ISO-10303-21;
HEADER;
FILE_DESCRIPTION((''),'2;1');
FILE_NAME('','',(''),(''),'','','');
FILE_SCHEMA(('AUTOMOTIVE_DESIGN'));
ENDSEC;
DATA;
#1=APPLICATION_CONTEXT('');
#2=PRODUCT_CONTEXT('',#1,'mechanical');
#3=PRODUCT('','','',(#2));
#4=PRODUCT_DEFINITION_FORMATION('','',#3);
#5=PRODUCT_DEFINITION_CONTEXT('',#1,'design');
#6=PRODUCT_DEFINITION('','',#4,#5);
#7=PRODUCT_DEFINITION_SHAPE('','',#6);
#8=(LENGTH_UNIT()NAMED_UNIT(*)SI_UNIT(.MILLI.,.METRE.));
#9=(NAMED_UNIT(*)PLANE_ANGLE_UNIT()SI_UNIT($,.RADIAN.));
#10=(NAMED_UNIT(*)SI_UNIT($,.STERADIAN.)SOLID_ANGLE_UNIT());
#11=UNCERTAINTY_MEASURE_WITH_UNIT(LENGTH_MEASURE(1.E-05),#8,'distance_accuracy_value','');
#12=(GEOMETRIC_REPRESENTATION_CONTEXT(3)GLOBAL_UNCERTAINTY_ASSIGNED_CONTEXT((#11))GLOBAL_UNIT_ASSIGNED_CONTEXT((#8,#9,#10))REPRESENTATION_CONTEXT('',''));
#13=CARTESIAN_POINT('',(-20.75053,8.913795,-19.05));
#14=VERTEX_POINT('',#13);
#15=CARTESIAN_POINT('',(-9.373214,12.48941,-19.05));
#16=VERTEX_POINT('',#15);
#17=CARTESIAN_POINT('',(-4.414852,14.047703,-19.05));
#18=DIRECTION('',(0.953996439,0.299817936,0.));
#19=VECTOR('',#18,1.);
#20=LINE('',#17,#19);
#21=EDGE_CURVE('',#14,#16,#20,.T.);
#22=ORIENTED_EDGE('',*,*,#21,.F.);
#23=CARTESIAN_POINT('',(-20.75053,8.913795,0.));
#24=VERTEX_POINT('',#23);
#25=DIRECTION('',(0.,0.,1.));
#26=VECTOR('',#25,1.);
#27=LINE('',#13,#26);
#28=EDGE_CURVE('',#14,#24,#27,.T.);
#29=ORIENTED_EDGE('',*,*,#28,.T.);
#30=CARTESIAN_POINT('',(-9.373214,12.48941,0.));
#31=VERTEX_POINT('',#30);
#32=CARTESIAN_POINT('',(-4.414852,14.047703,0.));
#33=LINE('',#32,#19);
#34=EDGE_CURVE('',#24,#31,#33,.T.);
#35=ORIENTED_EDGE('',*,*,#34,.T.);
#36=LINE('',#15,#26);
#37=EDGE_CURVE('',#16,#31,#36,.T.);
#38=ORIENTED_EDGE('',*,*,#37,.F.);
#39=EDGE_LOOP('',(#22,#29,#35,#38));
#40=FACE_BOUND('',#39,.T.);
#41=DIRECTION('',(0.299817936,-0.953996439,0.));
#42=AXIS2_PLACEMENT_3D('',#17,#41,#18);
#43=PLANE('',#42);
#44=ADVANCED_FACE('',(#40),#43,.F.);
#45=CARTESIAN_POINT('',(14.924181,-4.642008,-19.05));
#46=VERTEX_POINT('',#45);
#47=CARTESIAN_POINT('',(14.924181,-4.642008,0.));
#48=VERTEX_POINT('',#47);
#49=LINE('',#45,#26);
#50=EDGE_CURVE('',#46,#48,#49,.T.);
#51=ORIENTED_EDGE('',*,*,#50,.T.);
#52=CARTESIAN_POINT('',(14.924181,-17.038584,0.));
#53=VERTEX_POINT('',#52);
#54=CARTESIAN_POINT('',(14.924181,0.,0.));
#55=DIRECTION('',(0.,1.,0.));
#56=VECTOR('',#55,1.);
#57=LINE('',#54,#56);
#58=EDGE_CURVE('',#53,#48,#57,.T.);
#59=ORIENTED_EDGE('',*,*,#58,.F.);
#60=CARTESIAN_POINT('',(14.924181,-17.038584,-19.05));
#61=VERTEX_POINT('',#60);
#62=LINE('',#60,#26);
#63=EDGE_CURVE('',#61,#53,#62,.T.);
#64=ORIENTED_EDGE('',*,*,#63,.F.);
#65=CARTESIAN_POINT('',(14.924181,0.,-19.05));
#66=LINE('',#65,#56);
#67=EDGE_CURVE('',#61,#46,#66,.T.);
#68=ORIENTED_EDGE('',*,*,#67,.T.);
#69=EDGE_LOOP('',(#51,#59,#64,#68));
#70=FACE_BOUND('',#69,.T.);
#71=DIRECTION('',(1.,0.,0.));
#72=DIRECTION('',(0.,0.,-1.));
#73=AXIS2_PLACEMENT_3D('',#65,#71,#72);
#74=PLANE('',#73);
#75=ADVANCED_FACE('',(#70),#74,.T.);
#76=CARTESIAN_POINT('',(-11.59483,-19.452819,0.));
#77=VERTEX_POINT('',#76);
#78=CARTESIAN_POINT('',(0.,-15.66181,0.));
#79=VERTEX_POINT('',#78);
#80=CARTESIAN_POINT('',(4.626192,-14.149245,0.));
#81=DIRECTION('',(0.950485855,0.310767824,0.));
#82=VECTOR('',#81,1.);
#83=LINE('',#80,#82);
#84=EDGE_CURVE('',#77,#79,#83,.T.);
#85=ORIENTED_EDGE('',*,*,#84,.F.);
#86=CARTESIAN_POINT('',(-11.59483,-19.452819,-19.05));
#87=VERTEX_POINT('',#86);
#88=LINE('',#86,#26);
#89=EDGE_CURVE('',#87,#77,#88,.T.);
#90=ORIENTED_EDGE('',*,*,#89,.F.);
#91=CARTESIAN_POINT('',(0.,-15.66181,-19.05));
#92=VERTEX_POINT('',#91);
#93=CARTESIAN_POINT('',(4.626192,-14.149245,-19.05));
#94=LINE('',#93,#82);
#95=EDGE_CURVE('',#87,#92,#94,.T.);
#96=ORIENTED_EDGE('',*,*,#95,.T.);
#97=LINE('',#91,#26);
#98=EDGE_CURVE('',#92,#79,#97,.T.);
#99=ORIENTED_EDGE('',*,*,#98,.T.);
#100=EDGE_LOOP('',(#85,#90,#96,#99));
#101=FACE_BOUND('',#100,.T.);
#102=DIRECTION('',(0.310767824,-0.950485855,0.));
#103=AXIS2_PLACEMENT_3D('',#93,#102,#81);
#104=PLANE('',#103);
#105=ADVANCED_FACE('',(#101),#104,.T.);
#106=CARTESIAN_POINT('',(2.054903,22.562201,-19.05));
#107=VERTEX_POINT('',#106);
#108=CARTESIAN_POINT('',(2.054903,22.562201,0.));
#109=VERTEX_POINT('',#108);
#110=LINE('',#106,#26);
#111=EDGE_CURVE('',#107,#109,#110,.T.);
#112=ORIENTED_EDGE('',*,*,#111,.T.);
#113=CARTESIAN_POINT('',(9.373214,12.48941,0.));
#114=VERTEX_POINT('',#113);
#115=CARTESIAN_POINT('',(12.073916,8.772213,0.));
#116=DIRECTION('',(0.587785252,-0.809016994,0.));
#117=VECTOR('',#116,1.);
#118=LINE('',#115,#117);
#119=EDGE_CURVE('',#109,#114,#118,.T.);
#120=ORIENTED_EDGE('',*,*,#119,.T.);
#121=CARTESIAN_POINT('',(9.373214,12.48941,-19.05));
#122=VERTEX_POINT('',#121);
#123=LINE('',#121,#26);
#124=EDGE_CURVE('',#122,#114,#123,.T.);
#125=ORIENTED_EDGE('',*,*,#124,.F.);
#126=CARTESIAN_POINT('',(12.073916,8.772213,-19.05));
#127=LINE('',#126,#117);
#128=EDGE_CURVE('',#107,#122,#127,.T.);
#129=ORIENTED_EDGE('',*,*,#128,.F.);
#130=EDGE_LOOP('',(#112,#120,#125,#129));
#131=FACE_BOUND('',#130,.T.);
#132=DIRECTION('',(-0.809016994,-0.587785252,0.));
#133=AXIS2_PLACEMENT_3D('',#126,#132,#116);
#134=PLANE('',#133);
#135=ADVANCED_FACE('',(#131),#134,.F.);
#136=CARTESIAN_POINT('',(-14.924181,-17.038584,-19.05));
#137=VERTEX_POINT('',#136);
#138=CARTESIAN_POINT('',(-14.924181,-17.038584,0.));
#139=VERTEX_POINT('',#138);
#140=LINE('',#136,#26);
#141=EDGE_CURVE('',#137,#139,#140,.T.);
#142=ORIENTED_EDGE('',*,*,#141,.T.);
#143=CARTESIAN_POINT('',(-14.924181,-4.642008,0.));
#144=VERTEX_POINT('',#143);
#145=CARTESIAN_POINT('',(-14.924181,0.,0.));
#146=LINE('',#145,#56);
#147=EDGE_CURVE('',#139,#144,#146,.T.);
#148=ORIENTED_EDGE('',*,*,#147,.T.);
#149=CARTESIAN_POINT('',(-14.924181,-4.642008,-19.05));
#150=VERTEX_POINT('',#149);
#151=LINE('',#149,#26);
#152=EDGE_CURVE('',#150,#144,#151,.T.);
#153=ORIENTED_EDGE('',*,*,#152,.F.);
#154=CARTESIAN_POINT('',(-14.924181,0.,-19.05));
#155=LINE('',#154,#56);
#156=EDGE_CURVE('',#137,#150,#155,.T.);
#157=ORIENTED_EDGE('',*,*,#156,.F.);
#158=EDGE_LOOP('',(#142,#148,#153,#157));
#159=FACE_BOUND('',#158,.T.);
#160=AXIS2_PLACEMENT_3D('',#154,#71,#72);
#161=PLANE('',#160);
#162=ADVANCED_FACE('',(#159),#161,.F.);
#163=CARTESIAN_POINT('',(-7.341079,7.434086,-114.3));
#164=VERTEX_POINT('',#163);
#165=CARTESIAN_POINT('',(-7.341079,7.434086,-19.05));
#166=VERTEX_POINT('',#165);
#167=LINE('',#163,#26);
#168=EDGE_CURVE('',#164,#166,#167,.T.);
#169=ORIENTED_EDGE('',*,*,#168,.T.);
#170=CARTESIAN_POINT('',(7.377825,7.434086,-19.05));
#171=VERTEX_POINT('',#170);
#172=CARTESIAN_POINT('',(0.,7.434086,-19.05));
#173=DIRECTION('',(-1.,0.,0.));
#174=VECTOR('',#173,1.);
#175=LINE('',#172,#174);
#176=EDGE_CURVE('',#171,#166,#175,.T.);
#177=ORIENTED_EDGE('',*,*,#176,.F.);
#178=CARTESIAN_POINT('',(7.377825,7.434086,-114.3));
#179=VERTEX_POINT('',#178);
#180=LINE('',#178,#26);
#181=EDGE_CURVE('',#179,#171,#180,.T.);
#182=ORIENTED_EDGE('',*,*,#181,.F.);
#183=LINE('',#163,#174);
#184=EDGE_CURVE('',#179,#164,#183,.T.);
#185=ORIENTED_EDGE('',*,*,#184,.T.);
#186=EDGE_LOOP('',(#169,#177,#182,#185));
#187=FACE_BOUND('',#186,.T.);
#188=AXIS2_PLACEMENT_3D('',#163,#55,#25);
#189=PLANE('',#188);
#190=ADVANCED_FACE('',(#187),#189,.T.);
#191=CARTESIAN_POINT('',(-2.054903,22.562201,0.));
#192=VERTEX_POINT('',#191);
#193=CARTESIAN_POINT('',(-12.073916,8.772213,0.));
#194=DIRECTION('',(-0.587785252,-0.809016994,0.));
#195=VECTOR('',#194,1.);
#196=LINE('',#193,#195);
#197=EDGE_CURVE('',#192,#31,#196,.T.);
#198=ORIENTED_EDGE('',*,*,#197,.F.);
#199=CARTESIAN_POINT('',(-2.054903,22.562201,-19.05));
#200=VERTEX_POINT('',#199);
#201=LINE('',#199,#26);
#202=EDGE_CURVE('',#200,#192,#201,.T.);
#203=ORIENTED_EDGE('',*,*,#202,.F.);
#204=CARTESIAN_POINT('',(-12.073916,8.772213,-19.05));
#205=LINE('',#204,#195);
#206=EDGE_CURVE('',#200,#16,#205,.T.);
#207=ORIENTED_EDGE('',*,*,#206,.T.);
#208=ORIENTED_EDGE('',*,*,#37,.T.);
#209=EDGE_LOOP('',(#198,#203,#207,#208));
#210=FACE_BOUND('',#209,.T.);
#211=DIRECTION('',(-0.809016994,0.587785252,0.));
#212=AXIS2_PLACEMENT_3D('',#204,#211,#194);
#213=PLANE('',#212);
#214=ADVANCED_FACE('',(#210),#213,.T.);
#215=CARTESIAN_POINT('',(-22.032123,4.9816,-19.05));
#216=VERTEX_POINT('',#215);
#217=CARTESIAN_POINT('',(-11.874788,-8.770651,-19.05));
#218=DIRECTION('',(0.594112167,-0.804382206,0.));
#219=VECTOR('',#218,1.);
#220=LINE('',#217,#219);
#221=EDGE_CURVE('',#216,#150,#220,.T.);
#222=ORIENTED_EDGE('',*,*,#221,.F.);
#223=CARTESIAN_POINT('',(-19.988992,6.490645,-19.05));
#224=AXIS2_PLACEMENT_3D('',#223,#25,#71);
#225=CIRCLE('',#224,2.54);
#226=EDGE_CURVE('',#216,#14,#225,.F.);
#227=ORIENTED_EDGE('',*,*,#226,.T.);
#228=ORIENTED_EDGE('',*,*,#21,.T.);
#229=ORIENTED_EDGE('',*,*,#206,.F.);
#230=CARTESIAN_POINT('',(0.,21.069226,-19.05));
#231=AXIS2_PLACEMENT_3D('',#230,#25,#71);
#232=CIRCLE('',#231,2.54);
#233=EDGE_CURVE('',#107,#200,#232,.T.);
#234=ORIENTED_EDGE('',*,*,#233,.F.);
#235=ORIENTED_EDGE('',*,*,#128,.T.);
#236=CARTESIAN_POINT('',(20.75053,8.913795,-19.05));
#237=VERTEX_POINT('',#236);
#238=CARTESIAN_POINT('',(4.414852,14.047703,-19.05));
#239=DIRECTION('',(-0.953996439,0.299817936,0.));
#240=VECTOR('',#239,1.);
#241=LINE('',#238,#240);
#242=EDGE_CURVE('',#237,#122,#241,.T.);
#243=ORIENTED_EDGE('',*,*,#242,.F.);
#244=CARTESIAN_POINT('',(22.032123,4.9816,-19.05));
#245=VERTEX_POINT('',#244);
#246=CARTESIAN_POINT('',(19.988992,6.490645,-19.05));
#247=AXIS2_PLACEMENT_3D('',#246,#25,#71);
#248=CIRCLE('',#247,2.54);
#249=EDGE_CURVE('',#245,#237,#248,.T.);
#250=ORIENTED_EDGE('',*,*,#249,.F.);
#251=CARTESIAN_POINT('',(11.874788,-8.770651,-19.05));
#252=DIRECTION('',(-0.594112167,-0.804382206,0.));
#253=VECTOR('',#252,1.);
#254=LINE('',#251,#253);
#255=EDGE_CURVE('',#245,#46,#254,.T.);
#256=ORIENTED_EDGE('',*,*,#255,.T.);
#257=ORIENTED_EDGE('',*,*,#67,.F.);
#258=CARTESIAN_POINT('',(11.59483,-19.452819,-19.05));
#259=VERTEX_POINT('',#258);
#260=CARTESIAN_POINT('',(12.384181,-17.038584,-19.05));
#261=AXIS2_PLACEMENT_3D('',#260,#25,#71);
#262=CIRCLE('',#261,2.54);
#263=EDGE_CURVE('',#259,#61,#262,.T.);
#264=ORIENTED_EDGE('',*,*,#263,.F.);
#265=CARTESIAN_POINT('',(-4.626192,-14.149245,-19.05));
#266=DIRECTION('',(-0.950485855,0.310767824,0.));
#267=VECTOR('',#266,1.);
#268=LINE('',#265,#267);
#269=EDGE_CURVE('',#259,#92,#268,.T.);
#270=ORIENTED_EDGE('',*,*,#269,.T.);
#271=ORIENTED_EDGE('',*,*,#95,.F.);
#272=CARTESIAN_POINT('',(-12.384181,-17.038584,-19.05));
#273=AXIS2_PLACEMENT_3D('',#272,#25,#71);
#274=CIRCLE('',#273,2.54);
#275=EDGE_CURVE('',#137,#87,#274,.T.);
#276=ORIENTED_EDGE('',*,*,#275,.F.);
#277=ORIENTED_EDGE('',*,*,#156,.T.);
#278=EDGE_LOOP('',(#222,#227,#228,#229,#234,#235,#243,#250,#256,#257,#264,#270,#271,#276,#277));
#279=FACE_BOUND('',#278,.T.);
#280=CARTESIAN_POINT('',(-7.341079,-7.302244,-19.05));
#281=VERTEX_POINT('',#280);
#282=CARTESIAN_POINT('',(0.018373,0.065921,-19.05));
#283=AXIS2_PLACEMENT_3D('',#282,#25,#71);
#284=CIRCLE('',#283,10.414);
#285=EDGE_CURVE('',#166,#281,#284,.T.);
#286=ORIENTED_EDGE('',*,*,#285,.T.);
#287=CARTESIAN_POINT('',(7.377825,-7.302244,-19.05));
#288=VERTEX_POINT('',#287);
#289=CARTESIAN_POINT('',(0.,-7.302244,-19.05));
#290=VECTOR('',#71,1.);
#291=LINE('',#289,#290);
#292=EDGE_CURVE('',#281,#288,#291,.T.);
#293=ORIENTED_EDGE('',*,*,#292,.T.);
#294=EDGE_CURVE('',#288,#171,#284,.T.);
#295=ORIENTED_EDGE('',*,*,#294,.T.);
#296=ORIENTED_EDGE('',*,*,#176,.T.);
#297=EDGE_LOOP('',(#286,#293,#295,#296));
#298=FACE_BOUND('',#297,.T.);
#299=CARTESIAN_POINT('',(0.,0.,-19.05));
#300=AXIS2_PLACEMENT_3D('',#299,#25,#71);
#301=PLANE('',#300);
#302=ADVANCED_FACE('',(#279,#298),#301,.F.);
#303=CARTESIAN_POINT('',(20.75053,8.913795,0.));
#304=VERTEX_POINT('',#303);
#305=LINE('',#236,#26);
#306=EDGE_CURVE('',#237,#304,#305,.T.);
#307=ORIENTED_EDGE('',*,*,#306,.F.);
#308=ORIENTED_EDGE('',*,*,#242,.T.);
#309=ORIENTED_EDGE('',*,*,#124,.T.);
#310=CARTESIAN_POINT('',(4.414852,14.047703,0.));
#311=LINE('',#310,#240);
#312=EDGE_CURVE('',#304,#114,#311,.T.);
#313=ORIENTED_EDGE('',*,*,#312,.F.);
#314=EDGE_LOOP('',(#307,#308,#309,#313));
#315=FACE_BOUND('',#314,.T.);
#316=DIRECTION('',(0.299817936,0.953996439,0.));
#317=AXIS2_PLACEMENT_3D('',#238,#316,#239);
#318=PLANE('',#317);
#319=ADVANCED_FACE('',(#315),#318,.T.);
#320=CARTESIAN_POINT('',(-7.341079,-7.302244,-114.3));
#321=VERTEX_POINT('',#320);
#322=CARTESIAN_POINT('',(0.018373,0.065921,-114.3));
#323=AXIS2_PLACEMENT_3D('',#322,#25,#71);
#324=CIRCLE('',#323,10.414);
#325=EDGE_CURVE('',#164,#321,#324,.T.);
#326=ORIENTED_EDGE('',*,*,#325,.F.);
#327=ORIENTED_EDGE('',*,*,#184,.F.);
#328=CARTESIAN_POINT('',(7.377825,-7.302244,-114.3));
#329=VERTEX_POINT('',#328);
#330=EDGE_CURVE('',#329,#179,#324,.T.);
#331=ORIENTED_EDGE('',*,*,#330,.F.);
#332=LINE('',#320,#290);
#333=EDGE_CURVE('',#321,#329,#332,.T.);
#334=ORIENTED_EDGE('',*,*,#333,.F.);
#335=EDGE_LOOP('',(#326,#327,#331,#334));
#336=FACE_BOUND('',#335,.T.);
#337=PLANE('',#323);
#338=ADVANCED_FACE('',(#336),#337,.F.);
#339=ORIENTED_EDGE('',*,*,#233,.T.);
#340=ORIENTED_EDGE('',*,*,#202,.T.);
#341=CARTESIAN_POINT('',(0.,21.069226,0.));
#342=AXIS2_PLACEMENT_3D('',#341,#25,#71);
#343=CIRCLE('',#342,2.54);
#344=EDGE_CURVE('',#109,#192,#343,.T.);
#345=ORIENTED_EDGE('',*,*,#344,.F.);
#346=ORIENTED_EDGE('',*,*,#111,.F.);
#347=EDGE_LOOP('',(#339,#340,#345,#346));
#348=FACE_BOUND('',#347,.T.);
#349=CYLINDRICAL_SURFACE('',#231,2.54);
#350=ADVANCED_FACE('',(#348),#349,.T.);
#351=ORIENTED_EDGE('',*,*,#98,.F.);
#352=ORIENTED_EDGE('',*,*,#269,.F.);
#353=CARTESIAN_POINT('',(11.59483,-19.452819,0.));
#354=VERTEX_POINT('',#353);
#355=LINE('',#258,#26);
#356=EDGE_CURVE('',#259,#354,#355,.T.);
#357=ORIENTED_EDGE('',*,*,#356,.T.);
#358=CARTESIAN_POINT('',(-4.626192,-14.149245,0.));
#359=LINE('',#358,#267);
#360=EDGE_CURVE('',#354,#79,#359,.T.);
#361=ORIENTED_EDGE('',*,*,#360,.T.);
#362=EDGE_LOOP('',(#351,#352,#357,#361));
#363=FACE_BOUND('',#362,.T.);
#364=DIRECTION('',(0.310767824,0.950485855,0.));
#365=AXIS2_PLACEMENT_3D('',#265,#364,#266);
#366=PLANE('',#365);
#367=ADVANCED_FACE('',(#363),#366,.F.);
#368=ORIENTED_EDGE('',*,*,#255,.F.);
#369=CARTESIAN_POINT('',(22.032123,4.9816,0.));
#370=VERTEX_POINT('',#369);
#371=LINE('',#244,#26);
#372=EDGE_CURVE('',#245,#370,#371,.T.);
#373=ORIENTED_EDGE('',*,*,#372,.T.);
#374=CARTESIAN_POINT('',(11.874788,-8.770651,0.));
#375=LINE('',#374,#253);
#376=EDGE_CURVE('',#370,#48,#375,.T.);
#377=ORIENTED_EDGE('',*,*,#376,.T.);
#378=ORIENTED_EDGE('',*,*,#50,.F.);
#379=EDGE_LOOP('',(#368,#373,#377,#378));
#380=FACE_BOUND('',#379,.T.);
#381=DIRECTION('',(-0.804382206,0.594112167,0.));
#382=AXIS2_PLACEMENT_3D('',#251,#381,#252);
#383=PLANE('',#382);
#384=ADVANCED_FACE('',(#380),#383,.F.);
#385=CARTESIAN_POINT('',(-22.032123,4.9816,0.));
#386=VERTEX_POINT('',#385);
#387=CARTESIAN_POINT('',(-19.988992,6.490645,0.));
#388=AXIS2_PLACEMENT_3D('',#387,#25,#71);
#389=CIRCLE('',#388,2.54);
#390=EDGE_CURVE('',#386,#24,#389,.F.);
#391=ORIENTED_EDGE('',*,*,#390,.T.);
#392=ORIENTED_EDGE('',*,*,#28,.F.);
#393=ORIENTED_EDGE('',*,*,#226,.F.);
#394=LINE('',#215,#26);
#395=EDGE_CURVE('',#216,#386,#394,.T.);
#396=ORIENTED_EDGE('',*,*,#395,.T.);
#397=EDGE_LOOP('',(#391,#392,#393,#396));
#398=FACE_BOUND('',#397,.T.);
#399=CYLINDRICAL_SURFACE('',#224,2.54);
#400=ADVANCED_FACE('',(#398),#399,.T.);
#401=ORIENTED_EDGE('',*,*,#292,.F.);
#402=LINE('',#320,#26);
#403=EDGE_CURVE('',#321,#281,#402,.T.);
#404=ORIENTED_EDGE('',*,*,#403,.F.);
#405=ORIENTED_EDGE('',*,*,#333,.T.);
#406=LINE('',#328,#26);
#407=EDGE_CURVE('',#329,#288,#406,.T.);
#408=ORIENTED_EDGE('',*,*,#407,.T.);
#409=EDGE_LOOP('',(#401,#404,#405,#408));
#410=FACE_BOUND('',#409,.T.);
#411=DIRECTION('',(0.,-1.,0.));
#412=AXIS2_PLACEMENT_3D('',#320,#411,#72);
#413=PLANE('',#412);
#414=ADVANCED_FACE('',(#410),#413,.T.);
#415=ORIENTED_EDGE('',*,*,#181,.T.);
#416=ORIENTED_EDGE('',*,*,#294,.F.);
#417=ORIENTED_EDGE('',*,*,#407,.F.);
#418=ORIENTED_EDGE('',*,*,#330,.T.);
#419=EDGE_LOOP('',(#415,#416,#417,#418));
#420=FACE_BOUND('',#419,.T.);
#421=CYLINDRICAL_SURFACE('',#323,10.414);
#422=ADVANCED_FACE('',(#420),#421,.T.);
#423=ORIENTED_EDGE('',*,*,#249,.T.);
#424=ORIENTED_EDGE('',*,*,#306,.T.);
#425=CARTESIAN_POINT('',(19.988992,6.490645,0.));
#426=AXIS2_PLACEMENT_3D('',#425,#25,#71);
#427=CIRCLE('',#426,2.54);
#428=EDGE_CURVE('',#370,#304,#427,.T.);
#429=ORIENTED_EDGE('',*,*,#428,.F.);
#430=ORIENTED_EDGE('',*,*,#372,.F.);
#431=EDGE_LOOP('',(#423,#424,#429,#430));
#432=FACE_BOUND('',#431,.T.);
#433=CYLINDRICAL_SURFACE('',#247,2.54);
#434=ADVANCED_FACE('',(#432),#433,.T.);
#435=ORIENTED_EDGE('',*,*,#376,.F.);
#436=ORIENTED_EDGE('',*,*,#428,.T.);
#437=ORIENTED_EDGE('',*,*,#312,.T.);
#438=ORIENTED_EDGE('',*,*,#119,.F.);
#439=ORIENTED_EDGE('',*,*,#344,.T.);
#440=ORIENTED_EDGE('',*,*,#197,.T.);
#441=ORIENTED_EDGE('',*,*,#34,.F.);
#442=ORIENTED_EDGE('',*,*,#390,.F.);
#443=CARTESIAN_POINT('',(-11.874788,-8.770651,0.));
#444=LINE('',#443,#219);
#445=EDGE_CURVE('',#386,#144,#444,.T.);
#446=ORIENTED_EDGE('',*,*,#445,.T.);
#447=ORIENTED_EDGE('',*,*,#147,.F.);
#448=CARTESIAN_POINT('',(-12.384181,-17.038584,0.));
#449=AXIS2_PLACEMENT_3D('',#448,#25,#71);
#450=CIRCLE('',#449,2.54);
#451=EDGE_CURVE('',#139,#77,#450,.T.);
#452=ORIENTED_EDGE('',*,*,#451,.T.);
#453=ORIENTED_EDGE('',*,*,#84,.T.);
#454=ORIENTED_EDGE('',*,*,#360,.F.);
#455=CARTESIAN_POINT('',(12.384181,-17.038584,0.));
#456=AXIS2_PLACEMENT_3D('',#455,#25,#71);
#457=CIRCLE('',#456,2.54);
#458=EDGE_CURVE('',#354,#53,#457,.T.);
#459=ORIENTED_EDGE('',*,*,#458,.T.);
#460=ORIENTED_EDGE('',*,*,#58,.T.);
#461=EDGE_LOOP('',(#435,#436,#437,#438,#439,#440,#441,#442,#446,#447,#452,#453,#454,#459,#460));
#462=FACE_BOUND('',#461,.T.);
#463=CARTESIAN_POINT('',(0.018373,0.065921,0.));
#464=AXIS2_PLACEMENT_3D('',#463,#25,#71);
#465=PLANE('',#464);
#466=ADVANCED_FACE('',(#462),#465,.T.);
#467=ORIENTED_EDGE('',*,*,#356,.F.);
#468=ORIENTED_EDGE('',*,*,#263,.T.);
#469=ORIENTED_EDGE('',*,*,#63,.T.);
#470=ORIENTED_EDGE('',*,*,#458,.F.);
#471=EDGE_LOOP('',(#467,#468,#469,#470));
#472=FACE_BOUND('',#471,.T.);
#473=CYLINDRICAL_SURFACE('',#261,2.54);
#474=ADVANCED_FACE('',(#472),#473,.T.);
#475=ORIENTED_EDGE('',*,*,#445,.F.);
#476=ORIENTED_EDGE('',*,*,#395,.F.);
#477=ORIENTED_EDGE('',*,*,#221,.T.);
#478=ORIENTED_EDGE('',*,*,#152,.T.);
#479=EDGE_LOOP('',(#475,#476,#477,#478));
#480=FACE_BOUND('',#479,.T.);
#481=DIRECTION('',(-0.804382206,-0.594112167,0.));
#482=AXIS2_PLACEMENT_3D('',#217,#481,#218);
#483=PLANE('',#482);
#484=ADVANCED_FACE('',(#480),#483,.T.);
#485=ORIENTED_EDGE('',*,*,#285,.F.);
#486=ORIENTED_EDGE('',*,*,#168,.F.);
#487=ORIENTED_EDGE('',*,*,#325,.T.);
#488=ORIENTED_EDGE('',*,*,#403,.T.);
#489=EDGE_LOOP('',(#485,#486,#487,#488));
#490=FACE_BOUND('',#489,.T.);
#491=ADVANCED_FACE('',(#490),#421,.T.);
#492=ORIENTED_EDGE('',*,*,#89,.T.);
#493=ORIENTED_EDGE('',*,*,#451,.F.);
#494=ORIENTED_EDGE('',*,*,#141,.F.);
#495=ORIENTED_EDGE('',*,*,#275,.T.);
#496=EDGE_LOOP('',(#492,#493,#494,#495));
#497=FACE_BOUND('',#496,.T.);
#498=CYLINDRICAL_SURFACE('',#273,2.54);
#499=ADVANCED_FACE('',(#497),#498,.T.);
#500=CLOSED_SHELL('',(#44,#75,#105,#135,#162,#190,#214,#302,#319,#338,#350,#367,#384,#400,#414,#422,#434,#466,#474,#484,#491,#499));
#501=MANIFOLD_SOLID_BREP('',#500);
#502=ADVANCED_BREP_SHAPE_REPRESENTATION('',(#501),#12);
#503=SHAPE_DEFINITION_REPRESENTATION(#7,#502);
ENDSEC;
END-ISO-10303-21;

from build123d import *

# Parameters (mm, degrees)
BOSS_EXTRUDE1_DEPTH = 114.3
BOSS_EXTRUDE2_DEPTH = 19.05


with BuildPart() as part:
    # Sketch1 → Boss-Extrude1 (new body)
    with BuildSketch(Plane.XY):
        with BuildLine():
            Line((-7.341079337, -7.302244278), (7.377825429, -7.302244278))
            ThreePointArc((7.377825429, -7.302244278), (10.432373046, 0.065920801), (7.377825429, 7.434085879))
            Line((7.377825429, 7.434085879), (-7.341079337, 7.434085879))
            ThreePointArc((-7.341079337, 7.434085879), (-10.395626954, 0.065920801), (-7.341079337, -7.302244278))
        make_face()
    extrude(amount=-BOSS_EXTRUDE1_DEPTH)

    # Sketch2 → Boss-Extrude2 (add)
    with BuildSketch(Plane.XY):
        with BuildLine():
            Line((-11.594830289, -19.452818555), (0, -15.661809823))
            Line((0, -15.661809823), (11.594830289, -19.452818555))
            ThreePointArc((11.594830289, -19.452818555), (13.875262434, -19.094861422), (14.924180561, -17.038584484))
            Line((14.924180561, -17.038584484), (14.924180561, -4.642008184))
            Line((14.924180561, -4.642008184), (22.032123103, 4.98159964))
            ThreePointArc((22.032123103, 4.98159964), (22.40396274, 7.277739061), (20.750529859, 8.913795499))
            Line((20.750529859, 8.913795499), (9.373214352, 12.489409744))
            Line((9.373214352, 12.489409744), (2.054903166, 22.56220095))
            ThreePointArc((2.054903166, 22.56220095), (0, 23.609226409), (-2.054903166, 22.56220095))
            Line((-2.054903166, 22.56220095), (-9.373214352, 12.489409744))
            Line((-9.373214352, 12.489409744), (-20.750529859, 8.913795499))
            ThreePointArc((-20.750529859, 8.913795499), (-22.40396274, 7.277739061), (-22.032123103, 4.98159964))
            Line((-22.032123103, 4.98159964), (-14.924180561, -4.642008184))
            Line((-14.924180561, -4.642008184), (-14.924180561, -17.038584484))
            ThreePointArc((-14.924180561, -17.038584484), (-13.875262434, -19.094861422), (-11.594830289, -19.452818555))
        make_face()
    extrude(amount=-BOSS_EXTRUDE2_DEPTH)


solid = part.part
